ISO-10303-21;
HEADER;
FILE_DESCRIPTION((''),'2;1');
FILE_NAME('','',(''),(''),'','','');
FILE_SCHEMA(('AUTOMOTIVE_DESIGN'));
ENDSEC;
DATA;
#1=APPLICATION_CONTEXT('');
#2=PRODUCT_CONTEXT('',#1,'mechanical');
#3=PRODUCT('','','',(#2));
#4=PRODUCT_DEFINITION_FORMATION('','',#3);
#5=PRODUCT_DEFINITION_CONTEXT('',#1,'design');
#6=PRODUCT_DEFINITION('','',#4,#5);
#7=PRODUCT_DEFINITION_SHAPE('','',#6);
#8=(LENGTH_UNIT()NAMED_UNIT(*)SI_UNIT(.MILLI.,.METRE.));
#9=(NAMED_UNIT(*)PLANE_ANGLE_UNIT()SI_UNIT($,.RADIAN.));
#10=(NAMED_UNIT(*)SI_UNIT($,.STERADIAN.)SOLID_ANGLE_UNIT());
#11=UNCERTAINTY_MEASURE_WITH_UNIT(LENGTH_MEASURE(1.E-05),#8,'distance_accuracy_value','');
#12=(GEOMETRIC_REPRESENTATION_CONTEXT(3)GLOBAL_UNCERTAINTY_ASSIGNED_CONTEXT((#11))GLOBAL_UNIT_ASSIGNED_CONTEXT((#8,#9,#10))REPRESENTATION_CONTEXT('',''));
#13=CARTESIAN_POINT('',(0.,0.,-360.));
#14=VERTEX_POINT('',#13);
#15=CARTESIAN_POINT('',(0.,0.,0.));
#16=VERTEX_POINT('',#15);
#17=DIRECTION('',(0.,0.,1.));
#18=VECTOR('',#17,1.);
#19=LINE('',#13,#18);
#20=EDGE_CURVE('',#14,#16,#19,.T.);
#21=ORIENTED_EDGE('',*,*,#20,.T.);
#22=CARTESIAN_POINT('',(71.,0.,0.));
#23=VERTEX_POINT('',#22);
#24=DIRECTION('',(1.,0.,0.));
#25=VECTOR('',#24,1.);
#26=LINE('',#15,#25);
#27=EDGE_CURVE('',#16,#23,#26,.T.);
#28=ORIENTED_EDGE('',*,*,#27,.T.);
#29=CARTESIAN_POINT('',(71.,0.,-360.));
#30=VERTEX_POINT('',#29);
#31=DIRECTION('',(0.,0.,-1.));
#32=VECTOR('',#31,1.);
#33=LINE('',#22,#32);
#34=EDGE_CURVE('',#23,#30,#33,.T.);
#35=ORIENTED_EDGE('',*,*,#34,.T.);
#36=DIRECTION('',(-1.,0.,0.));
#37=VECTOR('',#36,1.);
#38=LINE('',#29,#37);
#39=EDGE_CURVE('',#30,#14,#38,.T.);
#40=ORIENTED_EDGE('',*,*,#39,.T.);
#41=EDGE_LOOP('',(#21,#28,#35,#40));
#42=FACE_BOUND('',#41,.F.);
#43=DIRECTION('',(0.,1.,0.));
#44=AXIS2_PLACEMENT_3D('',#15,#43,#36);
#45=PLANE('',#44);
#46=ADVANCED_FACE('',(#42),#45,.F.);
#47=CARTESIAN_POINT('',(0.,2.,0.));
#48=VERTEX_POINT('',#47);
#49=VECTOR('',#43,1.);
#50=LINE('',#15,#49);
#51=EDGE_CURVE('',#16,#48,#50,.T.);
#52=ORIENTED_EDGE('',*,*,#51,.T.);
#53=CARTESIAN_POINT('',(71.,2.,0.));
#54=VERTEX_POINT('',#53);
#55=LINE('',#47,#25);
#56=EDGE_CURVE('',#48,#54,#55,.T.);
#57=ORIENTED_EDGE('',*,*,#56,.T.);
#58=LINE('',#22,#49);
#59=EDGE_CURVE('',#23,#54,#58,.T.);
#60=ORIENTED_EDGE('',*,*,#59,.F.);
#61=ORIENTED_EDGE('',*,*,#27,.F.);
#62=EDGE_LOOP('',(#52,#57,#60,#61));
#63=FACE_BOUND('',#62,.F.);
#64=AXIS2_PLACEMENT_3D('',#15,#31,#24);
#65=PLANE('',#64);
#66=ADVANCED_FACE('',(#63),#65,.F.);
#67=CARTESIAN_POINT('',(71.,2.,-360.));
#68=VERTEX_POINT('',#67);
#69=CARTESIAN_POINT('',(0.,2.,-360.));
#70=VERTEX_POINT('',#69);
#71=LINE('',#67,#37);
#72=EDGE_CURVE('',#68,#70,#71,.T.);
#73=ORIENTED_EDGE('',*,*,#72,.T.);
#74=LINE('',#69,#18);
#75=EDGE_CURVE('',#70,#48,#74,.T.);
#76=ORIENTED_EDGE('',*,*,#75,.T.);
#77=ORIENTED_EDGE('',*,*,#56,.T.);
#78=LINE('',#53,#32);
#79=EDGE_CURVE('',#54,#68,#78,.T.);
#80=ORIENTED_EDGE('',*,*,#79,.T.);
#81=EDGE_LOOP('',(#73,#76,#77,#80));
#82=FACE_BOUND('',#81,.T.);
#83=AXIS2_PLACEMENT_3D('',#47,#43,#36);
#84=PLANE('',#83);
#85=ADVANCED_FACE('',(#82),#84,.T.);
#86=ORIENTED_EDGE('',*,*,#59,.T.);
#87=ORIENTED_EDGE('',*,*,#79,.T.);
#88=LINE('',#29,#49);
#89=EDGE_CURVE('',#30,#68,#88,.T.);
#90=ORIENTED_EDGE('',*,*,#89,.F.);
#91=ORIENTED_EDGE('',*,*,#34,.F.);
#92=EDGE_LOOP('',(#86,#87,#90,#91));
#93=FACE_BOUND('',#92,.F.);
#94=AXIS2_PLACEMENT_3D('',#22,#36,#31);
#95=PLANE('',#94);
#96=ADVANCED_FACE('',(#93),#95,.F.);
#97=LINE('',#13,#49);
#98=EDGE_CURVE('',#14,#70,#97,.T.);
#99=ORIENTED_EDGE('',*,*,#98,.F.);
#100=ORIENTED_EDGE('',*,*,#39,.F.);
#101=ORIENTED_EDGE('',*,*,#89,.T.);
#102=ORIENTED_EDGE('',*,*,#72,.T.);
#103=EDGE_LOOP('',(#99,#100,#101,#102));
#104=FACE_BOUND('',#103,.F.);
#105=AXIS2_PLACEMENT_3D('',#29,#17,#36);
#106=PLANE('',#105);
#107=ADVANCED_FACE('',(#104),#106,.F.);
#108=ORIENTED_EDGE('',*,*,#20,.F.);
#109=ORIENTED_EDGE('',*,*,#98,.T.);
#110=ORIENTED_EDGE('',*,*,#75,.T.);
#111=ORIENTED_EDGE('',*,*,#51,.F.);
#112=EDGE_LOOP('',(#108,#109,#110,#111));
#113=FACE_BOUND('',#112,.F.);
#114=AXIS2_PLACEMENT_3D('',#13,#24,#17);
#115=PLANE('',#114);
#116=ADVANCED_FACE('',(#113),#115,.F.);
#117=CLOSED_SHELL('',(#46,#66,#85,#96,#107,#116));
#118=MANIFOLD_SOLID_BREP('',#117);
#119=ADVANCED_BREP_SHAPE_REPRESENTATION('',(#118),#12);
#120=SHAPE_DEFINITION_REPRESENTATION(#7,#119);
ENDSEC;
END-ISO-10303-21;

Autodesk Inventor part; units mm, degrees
ref_plane "YZ Plane" through (0, 0, 0) normal (1, 0, 0) x (0, 1, 0)
ref_plane "XZ Plane" through (0, 0, 0) normal (0, 1, 0) x (-1, 0, 0)
ref_plane "XY Plane" through (0, 0, 0) normal (0, 0, 1) x (1, 0, 0)
sketch "スケッチ1" plane through (0, 0, 0) normal (0, 1, 0) x (-1, 0, 0)
  line L0 (0, 0) -> (-71, 0)
  line L1 (-71, 0) -> (-71, -360)
  line L2 (-71, -360) -> (0, -360)
  line L3 (0, -360) -> (0, 0)
  dimension "d0" = 360
  dimension "d1" = 71
extrude "押し出し1" add sketch "スケッチ1" along normal blind 2
properties part number "前上部カバー"
